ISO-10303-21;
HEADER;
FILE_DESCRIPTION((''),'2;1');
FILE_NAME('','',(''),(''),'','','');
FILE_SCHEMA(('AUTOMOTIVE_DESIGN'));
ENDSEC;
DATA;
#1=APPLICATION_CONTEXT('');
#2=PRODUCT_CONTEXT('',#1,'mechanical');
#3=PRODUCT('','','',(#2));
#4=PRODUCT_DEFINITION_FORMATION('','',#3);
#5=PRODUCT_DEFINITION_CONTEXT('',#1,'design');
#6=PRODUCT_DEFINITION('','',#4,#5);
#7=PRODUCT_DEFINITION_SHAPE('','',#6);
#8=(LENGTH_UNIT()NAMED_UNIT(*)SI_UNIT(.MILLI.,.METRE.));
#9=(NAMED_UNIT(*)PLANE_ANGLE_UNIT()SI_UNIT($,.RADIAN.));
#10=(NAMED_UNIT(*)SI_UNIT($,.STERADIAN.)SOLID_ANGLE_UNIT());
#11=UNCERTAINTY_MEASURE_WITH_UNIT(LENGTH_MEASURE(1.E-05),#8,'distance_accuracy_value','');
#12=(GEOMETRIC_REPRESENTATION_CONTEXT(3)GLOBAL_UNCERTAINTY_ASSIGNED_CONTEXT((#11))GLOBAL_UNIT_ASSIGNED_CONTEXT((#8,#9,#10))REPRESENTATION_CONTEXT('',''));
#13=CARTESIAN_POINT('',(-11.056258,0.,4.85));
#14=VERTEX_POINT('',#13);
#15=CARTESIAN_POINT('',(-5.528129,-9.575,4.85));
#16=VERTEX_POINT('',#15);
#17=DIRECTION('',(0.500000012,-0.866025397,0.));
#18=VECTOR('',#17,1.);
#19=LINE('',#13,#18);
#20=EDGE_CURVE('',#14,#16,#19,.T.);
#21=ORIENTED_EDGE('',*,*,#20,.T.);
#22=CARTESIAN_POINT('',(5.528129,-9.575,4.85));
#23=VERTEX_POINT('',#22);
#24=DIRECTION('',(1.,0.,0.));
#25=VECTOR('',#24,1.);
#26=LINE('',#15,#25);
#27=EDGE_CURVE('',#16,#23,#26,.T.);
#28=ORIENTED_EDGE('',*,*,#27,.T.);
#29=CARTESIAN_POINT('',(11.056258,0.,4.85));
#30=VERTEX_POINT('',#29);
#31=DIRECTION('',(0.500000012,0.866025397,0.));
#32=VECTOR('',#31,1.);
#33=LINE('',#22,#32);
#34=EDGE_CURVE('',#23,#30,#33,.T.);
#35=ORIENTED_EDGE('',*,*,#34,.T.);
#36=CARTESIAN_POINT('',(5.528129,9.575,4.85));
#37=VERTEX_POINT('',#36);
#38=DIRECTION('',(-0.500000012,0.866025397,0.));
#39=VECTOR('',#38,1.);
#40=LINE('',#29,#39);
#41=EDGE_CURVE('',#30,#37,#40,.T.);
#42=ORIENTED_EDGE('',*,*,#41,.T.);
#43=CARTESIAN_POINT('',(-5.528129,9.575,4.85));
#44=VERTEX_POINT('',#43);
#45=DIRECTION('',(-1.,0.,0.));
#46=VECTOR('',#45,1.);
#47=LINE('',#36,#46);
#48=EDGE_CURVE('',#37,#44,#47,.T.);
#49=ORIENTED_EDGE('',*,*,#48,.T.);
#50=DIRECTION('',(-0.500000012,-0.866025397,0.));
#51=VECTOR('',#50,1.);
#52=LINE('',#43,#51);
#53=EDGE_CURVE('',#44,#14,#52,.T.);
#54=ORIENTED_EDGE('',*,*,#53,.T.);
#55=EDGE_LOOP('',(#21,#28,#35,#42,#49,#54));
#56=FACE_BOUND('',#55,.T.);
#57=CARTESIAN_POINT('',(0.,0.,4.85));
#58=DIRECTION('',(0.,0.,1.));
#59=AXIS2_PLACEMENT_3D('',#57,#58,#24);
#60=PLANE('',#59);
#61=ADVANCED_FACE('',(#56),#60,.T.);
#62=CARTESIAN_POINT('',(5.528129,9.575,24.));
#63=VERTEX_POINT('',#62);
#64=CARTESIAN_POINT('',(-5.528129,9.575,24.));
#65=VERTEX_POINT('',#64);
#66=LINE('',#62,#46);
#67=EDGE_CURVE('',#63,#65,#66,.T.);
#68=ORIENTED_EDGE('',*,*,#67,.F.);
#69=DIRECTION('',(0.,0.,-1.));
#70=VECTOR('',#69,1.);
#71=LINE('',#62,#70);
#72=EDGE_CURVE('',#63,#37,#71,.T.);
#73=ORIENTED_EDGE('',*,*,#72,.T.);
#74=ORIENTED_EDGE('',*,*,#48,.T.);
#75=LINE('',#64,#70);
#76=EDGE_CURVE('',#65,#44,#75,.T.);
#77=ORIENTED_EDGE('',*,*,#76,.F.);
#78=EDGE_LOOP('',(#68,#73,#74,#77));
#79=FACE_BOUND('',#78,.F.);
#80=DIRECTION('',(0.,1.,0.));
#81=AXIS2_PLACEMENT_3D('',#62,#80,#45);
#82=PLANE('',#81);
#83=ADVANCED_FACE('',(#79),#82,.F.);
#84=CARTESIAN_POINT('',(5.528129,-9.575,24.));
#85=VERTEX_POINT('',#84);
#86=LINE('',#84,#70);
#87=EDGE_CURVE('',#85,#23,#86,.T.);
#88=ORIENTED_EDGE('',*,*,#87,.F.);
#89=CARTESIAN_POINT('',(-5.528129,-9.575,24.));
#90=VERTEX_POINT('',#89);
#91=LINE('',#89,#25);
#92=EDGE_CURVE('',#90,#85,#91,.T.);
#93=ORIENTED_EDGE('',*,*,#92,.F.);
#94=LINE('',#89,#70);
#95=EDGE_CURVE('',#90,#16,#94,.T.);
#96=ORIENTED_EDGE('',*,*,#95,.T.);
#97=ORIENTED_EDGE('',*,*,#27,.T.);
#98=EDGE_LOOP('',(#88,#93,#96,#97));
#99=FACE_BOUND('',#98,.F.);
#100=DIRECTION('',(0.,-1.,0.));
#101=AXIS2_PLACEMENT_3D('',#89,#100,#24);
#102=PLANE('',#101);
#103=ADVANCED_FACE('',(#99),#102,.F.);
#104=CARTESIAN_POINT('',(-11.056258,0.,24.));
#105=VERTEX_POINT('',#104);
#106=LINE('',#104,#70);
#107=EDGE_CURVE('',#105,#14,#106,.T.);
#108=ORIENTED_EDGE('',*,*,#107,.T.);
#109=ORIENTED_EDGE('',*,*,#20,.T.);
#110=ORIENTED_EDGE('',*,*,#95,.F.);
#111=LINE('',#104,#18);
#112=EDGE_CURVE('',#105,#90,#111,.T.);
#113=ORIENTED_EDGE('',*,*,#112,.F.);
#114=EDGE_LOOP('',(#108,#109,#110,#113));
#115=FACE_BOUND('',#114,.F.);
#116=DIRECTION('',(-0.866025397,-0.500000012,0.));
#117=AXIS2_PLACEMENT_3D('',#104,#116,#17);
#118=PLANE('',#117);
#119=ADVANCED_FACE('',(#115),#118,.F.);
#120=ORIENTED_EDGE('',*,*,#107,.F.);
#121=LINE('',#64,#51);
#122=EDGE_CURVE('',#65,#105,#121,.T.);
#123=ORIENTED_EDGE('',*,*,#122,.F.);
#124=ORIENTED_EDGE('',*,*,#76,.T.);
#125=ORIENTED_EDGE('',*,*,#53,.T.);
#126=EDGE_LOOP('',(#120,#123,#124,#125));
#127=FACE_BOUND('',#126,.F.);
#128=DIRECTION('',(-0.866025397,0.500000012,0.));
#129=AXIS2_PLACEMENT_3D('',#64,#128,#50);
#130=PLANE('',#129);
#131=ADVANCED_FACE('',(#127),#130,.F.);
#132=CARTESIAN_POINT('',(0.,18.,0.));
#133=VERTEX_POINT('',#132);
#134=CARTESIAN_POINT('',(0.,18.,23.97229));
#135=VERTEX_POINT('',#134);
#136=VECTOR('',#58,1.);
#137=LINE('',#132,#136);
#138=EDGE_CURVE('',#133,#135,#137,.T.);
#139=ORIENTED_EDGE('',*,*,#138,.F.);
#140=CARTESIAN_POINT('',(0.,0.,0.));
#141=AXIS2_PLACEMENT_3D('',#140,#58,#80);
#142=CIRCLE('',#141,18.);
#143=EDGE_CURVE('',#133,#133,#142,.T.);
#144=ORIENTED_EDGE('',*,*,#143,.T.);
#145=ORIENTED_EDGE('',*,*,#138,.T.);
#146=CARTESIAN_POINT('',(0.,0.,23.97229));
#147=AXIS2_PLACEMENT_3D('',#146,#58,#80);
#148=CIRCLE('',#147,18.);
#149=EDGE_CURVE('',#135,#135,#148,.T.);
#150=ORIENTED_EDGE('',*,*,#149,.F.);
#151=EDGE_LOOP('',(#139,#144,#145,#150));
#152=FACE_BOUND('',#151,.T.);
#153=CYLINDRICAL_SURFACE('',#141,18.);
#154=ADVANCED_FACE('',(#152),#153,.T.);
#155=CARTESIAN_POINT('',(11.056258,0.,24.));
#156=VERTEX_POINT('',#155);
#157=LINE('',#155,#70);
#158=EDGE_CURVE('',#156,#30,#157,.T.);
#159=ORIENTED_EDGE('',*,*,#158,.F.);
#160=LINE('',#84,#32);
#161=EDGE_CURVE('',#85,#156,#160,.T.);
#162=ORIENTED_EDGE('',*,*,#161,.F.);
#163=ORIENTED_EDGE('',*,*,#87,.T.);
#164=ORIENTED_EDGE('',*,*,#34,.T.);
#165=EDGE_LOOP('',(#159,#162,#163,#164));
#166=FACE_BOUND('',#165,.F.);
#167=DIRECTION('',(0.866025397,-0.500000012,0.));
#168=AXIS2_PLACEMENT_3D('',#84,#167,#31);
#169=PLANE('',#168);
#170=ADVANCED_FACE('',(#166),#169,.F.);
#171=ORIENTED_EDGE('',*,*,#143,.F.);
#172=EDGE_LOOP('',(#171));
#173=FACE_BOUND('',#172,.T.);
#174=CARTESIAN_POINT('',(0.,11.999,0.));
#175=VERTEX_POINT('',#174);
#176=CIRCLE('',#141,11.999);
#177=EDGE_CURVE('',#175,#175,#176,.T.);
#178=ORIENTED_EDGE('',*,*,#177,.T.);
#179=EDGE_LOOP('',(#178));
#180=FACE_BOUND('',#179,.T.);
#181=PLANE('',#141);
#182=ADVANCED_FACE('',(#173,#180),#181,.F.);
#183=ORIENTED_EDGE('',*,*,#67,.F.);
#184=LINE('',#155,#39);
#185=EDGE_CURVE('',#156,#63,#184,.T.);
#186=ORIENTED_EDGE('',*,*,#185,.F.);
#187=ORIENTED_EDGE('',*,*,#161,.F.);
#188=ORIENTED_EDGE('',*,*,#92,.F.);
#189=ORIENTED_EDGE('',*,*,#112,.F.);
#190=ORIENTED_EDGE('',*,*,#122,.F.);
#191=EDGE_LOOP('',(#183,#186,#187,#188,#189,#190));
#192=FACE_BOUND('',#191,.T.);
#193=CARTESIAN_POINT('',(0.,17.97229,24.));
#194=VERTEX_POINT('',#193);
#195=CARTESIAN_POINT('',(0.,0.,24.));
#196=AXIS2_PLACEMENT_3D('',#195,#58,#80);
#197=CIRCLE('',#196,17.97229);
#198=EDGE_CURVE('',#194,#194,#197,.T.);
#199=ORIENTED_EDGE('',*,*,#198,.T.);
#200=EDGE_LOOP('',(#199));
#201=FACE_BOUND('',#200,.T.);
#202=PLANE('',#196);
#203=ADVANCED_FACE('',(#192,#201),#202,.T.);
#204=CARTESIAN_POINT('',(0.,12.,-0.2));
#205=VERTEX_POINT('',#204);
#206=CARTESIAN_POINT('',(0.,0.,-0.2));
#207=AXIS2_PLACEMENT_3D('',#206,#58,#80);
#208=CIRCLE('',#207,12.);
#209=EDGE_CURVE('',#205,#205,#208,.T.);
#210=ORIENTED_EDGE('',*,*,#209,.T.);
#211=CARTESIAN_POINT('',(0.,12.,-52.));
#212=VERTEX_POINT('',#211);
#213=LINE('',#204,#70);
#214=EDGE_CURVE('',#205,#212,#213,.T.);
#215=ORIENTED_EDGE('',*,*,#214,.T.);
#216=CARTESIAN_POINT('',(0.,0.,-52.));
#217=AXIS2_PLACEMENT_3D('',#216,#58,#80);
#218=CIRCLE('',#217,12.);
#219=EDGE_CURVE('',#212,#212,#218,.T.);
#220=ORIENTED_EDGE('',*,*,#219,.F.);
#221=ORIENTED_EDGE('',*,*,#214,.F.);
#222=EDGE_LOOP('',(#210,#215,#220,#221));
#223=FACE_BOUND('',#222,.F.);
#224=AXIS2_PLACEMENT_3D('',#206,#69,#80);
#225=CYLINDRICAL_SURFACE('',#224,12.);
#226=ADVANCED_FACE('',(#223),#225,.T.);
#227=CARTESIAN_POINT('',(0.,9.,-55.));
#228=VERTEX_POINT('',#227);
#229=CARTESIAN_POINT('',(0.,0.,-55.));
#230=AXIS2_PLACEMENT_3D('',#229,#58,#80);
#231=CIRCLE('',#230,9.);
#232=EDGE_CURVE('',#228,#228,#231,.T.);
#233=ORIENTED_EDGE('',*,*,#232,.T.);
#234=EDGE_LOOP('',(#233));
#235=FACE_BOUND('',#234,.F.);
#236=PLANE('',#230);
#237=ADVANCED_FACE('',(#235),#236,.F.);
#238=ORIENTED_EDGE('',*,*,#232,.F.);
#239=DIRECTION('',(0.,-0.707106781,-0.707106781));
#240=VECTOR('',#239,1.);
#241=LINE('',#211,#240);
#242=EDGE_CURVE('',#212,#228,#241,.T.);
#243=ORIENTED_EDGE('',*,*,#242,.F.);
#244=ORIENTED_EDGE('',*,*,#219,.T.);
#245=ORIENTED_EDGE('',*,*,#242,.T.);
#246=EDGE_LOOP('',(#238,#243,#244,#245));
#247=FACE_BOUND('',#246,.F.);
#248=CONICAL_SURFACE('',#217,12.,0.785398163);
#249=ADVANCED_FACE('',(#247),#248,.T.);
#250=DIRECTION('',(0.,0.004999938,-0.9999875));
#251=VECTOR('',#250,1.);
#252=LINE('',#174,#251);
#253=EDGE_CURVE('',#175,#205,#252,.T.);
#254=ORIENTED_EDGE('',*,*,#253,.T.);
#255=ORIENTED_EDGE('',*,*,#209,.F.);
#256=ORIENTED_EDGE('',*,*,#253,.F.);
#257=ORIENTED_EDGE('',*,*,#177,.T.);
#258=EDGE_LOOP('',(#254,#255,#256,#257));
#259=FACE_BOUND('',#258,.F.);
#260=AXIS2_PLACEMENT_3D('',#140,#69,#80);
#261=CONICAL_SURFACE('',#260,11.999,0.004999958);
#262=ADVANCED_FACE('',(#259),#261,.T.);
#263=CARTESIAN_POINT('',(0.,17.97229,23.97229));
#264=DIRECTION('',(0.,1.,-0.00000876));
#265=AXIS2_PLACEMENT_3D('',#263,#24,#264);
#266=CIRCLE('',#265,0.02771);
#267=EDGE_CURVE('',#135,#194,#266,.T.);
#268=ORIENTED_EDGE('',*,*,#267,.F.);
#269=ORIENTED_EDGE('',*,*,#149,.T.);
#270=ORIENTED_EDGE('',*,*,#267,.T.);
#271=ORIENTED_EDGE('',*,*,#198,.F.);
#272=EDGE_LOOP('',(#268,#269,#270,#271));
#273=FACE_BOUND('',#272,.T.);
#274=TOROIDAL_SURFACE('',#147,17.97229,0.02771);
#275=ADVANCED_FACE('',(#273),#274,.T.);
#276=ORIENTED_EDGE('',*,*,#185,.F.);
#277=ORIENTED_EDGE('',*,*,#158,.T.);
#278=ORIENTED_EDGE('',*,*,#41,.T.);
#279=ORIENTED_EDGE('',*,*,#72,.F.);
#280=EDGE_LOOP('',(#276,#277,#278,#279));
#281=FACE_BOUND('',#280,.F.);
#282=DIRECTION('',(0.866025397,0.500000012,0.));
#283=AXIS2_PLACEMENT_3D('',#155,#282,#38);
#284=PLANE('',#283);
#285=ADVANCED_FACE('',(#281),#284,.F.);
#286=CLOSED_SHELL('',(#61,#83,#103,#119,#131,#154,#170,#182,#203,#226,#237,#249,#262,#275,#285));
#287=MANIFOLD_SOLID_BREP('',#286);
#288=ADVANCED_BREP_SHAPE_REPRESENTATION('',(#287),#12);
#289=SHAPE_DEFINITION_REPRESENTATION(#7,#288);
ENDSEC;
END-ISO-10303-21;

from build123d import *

# Parameters (mm, degrees)
POCKET_DEPTH = 19.15


with BuildPart() as part:
    # Sketch → Revolve (revolve)
    with BuildSketch(Plane.YZ):
        with BuildLine():
            Line((11.999, 0), (18, 0))
            Line((18, 0), (18, 23.97229))
            ThreePointArc((18, 23.97229), (17.991884, 23.991884), (17.97229, 24))
            Line((17.97229, 24), (0, 24))
            Line((0, -55), (0, 24))
            Line((9, -55), (0, -55))
            Line((12, -52), (9, -55))
            Line((12, -0.2), (12, -52))
            Line((11.999, 0), (12, -0.2))
        make_face()
    revolve(axis=Axis((0, 0, 0), (0, 0, 1)))

    # Sketch001 → Pocket (cut)
    with BuildSketch(Plane.XY.offset(24)):
        Polygon((11.056258, 0), (5.528129, 9.575), (-5.528129, 9.575), (-11.056258, 0), (-5.528129, -9.575), (5.528129, -9.575), align=None)
    extrude(amount=-POCKET_DEPTH, mode=Mode.SUBTRACT)


solid = part.part
